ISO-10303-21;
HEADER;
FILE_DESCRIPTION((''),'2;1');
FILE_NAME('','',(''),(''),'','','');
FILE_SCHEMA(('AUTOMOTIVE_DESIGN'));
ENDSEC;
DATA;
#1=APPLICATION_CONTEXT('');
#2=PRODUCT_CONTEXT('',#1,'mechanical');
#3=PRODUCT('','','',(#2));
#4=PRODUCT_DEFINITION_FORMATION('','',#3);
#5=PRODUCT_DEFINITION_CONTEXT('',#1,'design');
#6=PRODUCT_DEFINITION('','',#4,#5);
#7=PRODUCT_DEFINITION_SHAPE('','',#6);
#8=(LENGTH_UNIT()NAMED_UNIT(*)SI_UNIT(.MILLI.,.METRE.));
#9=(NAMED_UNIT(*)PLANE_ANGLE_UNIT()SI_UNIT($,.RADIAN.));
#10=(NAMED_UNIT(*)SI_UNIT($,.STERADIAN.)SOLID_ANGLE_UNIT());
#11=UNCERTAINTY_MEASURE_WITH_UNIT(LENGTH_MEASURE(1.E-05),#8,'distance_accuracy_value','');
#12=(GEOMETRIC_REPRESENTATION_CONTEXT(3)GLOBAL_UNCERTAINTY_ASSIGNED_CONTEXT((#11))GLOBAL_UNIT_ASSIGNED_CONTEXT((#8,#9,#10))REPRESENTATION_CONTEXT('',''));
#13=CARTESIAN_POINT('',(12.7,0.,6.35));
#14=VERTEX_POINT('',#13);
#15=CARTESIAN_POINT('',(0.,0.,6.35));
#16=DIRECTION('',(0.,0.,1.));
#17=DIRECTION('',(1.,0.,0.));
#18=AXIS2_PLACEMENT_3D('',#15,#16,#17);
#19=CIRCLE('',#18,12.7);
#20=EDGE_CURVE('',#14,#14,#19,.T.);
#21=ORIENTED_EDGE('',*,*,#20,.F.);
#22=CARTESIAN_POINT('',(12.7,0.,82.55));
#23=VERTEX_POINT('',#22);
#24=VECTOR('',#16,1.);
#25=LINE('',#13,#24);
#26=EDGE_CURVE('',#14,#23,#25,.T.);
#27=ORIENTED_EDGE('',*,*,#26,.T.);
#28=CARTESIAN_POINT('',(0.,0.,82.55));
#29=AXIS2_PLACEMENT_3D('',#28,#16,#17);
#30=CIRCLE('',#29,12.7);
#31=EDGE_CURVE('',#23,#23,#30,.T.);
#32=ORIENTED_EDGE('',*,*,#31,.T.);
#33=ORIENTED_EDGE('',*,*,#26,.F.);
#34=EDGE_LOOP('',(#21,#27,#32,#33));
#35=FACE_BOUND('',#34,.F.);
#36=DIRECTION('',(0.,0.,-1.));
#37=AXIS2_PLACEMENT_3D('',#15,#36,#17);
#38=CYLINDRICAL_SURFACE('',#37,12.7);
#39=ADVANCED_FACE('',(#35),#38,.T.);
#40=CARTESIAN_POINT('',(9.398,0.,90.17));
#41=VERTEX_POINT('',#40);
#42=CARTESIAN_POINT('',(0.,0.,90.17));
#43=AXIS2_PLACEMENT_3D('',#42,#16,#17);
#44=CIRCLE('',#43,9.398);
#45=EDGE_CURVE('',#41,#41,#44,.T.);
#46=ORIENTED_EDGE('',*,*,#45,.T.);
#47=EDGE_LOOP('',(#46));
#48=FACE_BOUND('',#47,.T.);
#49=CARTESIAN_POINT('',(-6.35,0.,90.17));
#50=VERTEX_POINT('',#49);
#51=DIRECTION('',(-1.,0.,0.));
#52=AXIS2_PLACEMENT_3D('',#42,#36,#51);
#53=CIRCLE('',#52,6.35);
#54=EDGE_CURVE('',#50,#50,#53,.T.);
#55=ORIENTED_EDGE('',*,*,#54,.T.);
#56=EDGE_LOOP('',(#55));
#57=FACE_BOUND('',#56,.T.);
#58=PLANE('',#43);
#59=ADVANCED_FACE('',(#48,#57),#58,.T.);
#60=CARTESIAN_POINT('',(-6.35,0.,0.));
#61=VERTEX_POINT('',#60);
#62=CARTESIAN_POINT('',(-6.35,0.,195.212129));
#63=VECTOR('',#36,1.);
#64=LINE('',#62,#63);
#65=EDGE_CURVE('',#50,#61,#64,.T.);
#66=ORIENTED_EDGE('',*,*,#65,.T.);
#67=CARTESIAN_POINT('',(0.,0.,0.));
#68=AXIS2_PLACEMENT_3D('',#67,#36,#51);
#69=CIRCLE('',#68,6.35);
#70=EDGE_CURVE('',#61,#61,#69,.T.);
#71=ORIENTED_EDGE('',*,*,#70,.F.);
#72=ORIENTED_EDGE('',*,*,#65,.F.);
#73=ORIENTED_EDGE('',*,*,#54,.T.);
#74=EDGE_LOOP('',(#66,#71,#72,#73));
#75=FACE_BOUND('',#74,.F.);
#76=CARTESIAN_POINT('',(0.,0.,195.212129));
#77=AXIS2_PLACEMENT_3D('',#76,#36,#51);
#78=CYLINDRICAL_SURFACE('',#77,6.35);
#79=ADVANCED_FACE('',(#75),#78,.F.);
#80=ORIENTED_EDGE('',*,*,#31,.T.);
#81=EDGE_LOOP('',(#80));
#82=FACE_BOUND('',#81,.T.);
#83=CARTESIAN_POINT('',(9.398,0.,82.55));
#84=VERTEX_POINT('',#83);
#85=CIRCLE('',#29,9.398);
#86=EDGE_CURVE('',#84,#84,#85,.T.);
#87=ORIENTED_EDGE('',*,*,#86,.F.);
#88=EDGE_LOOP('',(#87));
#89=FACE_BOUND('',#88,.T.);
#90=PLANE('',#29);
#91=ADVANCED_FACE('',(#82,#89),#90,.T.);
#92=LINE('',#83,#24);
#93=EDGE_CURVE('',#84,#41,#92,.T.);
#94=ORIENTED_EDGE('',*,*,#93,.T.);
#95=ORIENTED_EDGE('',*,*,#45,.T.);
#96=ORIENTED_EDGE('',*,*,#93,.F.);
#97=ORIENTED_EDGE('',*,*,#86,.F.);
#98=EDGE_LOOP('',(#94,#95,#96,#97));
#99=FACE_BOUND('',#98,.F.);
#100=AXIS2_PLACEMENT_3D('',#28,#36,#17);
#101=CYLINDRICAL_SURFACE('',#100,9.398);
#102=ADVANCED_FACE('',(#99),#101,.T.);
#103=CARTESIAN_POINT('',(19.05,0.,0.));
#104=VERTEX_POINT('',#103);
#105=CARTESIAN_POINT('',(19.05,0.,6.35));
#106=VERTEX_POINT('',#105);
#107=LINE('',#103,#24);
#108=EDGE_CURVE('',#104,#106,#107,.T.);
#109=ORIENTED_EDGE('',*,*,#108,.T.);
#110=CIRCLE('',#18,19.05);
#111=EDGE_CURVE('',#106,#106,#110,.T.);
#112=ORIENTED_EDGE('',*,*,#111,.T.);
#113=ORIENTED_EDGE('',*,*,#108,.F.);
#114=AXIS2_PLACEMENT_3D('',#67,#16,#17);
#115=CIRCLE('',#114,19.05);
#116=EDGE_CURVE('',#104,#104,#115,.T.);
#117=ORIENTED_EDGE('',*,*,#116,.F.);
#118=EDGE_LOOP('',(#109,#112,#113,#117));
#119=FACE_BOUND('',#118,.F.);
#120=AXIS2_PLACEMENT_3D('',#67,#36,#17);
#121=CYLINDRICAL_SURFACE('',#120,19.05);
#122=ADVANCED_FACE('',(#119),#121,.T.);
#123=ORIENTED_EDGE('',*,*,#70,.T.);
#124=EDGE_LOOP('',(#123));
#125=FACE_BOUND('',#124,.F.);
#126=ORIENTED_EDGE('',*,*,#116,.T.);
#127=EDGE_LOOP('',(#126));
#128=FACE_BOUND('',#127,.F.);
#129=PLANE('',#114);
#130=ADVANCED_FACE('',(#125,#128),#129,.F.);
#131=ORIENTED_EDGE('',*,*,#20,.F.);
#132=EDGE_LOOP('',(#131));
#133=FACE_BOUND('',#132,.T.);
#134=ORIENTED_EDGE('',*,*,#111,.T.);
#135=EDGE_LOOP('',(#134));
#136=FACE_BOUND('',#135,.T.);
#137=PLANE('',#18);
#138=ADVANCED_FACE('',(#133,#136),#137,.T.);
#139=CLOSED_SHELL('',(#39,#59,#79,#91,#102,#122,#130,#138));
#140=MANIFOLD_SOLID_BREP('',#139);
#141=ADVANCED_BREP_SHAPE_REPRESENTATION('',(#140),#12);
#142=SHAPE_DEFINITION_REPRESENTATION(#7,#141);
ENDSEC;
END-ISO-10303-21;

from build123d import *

# Parameters (mm, degrees)
F0_R     = 19.05
F1_DEPTH = 6.35
F2_R     = 12.7
F3_DEPTH = 76.2
F4_R     = 9.398
F5_DEPTH = 7.62
F7_D     = 12.7


with BuildPart() as f1:
    # F0 (on Top) → F1 (new body)
    with BuildSketch(Plane.XY):
        Circle(F0_R)
    extrude(amount=F1_DEPTH)

    # F2 (on face) → F3 (join)
    with BuildSketch(Plane.XY.offset(6.35)):
        Circle(F2_R)
    extrude(amount=F3_DEPTH)

    # F4 (on face) → F5 (join)
    with BuildSketch(Plane.XY.offset(82.55)):
        Circle(F4_R)
    extrude(amount=F5_DEPTH)

    # F7 (through all)
    with Locations(Plane.XY.offset(90.17)):
        with Locations((0, 0)):
            Hole(F7_D / 2)


solid = f1.part
